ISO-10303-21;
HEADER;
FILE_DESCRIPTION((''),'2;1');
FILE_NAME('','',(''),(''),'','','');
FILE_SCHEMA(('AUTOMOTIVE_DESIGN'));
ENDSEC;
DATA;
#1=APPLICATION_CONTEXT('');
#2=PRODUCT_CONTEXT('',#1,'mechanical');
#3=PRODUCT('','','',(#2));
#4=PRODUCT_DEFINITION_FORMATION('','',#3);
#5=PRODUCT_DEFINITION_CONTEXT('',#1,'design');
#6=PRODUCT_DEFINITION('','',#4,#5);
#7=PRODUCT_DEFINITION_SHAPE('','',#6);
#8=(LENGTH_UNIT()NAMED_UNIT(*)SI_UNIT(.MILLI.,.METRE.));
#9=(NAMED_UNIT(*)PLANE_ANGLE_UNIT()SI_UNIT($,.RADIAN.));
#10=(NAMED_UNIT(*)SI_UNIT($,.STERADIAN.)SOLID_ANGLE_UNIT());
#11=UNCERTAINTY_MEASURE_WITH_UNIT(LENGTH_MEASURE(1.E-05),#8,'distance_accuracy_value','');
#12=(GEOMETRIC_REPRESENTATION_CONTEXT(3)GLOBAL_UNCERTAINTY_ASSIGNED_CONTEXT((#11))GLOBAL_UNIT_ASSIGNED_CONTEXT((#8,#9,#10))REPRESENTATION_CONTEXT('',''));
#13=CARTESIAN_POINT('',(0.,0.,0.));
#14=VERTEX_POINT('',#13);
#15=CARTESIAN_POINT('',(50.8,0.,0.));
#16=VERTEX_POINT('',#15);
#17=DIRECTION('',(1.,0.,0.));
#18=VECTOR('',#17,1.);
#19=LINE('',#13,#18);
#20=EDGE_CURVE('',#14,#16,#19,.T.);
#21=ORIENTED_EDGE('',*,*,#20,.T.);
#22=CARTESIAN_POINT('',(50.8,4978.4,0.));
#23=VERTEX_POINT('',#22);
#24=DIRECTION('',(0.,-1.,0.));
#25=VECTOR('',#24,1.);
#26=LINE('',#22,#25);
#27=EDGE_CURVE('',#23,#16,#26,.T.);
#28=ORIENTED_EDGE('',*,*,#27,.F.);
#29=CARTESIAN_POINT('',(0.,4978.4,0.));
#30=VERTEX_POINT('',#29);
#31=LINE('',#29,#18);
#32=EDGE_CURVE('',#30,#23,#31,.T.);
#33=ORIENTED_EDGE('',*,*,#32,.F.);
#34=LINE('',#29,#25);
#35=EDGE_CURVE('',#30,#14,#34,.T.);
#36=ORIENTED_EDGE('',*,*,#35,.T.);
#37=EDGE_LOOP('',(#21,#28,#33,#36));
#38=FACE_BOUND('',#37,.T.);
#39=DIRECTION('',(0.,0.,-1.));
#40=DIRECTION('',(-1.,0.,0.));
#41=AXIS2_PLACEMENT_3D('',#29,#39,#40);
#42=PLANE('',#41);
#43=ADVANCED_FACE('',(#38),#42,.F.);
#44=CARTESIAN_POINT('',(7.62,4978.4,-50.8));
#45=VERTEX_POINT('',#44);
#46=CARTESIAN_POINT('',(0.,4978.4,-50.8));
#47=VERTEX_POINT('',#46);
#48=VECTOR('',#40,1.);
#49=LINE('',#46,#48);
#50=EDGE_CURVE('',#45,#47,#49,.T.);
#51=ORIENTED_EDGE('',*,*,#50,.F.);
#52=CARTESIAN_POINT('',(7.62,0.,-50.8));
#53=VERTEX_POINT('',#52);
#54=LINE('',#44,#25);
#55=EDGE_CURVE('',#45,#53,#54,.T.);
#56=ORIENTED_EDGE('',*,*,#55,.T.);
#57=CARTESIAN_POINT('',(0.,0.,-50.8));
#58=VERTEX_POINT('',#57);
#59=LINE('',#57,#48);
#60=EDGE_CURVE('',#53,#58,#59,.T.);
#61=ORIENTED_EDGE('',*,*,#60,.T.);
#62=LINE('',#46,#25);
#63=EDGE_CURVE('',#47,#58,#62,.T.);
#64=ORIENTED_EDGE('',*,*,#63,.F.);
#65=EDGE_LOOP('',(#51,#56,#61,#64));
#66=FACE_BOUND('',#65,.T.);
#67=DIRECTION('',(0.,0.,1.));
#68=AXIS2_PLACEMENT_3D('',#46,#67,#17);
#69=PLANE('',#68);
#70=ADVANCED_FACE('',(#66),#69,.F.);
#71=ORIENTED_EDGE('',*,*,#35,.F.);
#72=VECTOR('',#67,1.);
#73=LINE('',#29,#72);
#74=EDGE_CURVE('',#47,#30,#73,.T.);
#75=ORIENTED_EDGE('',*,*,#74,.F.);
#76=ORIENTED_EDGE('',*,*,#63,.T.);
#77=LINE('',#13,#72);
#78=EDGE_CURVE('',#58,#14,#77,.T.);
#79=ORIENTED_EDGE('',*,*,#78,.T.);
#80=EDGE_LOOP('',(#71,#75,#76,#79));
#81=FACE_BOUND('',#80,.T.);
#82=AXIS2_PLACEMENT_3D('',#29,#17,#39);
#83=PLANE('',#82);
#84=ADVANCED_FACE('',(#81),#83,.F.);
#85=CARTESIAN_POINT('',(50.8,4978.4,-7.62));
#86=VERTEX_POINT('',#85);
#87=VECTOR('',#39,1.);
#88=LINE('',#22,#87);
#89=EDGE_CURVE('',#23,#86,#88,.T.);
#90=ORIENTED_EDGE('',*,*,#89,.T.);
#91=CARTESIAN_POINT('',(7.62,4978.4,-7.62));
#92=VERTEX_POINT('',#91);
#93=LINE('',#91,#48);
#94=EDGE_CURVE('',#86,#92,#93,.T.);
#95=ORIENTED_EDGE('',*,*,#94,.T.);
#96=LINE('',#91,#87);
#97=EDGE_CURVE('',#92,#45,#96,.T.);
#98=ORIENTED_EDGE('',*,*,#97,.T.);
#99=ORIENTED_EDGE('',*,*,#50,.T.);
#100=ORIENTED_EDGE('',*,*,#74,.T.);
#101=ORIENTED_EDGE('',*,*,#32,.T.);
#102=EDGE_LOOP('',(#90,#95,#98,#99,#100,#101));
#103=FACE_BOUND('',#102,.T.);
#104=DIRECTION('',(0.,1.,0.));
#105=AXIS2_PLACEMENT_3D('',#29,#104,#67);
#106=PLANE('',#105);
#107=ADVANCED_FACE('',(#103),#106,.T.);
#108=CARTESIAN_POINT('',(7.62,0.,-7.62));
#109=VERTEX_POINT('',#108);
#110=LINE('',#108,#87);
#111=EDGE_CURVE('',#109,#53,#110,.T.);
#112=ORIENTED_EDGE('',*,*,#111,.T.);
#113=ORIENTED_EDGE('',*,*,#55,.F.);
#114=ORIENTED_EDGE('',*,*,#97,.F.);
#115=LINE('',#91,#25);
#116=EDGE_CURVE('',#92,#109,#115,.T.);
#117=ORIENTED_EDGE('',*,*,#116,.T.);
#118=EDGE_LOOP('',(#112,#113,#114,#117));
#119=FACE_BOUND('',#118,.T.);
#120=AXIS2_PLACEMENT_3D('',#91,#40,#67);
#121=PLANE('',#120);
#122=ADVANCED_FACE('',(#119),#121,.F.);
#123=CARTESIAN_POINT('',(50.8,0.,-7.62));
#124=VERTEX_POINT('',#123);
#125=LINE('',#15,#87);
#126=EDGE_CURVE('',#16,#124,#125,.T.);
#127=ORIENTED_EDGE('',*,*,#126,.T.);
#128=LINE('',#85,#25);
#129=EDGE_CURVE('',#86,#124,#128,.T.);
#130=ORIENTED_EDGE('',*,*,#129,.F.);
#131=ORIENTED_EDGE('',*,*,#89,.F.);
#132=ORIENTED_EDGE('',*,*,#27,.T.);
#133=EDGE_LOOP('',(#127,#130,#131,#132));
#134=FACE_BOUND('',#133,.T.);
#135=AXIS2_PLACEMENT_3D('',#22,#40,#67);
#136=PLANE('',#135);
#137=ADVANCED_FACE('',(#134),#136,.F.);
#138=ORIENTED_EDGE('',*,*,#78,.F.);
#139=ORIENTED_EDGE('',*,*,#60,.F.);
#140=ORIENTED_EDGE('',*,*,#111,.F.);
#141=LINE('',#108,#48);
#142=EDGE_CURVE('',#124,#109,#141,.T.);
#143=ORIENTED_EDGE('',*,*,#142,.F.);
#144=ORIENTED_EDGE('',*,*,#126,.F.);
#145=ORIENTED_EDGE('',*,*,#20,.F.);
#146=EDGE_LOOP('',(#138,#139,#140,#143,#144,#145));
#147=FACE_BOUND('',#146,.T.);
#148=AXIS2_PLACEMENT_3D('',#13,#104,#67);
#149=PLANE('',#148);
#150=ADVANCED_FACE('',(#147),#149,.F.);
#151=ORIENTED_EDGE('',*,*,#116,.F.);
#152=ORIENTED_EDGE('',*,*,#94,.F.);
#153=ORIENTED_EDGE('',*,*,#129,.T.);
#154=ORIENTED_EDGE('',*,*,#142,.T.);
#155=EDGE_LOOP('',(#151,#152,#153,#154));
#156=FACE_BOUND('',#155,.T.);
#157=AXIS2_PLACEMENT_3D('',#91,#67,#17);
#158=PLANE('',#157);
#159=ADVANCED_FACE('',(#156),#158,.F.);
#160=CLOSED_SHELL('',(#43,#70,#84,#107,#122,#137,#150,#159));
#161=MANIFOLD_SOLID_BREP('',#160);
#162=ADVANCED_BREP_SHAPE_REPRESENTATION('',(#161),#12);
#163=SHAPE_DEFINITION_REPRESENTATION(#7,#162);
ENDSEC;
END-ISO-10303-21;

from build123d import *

# Parameters (mm, degrees)
BOSS_EXTRUDE1_DEPTH = 4978.4


with BuildPart() as part:
    # Sketch1 → Boss-Extrude1 (new body)
    with BuildSketch(Plane(origin=(0, 0, 0), x_dir=(1, 0, 0), z_dir=(0, 1, 0))):
        Polygon((0, 0), (0, 50.8), (7.62, 50.8), (7.62, 7.62), (50.8, 7.62), (50.8, 0), align=None)
    extrude(amount=BOSS_EXTRUDE1_DEPTH)


solid = part.part
